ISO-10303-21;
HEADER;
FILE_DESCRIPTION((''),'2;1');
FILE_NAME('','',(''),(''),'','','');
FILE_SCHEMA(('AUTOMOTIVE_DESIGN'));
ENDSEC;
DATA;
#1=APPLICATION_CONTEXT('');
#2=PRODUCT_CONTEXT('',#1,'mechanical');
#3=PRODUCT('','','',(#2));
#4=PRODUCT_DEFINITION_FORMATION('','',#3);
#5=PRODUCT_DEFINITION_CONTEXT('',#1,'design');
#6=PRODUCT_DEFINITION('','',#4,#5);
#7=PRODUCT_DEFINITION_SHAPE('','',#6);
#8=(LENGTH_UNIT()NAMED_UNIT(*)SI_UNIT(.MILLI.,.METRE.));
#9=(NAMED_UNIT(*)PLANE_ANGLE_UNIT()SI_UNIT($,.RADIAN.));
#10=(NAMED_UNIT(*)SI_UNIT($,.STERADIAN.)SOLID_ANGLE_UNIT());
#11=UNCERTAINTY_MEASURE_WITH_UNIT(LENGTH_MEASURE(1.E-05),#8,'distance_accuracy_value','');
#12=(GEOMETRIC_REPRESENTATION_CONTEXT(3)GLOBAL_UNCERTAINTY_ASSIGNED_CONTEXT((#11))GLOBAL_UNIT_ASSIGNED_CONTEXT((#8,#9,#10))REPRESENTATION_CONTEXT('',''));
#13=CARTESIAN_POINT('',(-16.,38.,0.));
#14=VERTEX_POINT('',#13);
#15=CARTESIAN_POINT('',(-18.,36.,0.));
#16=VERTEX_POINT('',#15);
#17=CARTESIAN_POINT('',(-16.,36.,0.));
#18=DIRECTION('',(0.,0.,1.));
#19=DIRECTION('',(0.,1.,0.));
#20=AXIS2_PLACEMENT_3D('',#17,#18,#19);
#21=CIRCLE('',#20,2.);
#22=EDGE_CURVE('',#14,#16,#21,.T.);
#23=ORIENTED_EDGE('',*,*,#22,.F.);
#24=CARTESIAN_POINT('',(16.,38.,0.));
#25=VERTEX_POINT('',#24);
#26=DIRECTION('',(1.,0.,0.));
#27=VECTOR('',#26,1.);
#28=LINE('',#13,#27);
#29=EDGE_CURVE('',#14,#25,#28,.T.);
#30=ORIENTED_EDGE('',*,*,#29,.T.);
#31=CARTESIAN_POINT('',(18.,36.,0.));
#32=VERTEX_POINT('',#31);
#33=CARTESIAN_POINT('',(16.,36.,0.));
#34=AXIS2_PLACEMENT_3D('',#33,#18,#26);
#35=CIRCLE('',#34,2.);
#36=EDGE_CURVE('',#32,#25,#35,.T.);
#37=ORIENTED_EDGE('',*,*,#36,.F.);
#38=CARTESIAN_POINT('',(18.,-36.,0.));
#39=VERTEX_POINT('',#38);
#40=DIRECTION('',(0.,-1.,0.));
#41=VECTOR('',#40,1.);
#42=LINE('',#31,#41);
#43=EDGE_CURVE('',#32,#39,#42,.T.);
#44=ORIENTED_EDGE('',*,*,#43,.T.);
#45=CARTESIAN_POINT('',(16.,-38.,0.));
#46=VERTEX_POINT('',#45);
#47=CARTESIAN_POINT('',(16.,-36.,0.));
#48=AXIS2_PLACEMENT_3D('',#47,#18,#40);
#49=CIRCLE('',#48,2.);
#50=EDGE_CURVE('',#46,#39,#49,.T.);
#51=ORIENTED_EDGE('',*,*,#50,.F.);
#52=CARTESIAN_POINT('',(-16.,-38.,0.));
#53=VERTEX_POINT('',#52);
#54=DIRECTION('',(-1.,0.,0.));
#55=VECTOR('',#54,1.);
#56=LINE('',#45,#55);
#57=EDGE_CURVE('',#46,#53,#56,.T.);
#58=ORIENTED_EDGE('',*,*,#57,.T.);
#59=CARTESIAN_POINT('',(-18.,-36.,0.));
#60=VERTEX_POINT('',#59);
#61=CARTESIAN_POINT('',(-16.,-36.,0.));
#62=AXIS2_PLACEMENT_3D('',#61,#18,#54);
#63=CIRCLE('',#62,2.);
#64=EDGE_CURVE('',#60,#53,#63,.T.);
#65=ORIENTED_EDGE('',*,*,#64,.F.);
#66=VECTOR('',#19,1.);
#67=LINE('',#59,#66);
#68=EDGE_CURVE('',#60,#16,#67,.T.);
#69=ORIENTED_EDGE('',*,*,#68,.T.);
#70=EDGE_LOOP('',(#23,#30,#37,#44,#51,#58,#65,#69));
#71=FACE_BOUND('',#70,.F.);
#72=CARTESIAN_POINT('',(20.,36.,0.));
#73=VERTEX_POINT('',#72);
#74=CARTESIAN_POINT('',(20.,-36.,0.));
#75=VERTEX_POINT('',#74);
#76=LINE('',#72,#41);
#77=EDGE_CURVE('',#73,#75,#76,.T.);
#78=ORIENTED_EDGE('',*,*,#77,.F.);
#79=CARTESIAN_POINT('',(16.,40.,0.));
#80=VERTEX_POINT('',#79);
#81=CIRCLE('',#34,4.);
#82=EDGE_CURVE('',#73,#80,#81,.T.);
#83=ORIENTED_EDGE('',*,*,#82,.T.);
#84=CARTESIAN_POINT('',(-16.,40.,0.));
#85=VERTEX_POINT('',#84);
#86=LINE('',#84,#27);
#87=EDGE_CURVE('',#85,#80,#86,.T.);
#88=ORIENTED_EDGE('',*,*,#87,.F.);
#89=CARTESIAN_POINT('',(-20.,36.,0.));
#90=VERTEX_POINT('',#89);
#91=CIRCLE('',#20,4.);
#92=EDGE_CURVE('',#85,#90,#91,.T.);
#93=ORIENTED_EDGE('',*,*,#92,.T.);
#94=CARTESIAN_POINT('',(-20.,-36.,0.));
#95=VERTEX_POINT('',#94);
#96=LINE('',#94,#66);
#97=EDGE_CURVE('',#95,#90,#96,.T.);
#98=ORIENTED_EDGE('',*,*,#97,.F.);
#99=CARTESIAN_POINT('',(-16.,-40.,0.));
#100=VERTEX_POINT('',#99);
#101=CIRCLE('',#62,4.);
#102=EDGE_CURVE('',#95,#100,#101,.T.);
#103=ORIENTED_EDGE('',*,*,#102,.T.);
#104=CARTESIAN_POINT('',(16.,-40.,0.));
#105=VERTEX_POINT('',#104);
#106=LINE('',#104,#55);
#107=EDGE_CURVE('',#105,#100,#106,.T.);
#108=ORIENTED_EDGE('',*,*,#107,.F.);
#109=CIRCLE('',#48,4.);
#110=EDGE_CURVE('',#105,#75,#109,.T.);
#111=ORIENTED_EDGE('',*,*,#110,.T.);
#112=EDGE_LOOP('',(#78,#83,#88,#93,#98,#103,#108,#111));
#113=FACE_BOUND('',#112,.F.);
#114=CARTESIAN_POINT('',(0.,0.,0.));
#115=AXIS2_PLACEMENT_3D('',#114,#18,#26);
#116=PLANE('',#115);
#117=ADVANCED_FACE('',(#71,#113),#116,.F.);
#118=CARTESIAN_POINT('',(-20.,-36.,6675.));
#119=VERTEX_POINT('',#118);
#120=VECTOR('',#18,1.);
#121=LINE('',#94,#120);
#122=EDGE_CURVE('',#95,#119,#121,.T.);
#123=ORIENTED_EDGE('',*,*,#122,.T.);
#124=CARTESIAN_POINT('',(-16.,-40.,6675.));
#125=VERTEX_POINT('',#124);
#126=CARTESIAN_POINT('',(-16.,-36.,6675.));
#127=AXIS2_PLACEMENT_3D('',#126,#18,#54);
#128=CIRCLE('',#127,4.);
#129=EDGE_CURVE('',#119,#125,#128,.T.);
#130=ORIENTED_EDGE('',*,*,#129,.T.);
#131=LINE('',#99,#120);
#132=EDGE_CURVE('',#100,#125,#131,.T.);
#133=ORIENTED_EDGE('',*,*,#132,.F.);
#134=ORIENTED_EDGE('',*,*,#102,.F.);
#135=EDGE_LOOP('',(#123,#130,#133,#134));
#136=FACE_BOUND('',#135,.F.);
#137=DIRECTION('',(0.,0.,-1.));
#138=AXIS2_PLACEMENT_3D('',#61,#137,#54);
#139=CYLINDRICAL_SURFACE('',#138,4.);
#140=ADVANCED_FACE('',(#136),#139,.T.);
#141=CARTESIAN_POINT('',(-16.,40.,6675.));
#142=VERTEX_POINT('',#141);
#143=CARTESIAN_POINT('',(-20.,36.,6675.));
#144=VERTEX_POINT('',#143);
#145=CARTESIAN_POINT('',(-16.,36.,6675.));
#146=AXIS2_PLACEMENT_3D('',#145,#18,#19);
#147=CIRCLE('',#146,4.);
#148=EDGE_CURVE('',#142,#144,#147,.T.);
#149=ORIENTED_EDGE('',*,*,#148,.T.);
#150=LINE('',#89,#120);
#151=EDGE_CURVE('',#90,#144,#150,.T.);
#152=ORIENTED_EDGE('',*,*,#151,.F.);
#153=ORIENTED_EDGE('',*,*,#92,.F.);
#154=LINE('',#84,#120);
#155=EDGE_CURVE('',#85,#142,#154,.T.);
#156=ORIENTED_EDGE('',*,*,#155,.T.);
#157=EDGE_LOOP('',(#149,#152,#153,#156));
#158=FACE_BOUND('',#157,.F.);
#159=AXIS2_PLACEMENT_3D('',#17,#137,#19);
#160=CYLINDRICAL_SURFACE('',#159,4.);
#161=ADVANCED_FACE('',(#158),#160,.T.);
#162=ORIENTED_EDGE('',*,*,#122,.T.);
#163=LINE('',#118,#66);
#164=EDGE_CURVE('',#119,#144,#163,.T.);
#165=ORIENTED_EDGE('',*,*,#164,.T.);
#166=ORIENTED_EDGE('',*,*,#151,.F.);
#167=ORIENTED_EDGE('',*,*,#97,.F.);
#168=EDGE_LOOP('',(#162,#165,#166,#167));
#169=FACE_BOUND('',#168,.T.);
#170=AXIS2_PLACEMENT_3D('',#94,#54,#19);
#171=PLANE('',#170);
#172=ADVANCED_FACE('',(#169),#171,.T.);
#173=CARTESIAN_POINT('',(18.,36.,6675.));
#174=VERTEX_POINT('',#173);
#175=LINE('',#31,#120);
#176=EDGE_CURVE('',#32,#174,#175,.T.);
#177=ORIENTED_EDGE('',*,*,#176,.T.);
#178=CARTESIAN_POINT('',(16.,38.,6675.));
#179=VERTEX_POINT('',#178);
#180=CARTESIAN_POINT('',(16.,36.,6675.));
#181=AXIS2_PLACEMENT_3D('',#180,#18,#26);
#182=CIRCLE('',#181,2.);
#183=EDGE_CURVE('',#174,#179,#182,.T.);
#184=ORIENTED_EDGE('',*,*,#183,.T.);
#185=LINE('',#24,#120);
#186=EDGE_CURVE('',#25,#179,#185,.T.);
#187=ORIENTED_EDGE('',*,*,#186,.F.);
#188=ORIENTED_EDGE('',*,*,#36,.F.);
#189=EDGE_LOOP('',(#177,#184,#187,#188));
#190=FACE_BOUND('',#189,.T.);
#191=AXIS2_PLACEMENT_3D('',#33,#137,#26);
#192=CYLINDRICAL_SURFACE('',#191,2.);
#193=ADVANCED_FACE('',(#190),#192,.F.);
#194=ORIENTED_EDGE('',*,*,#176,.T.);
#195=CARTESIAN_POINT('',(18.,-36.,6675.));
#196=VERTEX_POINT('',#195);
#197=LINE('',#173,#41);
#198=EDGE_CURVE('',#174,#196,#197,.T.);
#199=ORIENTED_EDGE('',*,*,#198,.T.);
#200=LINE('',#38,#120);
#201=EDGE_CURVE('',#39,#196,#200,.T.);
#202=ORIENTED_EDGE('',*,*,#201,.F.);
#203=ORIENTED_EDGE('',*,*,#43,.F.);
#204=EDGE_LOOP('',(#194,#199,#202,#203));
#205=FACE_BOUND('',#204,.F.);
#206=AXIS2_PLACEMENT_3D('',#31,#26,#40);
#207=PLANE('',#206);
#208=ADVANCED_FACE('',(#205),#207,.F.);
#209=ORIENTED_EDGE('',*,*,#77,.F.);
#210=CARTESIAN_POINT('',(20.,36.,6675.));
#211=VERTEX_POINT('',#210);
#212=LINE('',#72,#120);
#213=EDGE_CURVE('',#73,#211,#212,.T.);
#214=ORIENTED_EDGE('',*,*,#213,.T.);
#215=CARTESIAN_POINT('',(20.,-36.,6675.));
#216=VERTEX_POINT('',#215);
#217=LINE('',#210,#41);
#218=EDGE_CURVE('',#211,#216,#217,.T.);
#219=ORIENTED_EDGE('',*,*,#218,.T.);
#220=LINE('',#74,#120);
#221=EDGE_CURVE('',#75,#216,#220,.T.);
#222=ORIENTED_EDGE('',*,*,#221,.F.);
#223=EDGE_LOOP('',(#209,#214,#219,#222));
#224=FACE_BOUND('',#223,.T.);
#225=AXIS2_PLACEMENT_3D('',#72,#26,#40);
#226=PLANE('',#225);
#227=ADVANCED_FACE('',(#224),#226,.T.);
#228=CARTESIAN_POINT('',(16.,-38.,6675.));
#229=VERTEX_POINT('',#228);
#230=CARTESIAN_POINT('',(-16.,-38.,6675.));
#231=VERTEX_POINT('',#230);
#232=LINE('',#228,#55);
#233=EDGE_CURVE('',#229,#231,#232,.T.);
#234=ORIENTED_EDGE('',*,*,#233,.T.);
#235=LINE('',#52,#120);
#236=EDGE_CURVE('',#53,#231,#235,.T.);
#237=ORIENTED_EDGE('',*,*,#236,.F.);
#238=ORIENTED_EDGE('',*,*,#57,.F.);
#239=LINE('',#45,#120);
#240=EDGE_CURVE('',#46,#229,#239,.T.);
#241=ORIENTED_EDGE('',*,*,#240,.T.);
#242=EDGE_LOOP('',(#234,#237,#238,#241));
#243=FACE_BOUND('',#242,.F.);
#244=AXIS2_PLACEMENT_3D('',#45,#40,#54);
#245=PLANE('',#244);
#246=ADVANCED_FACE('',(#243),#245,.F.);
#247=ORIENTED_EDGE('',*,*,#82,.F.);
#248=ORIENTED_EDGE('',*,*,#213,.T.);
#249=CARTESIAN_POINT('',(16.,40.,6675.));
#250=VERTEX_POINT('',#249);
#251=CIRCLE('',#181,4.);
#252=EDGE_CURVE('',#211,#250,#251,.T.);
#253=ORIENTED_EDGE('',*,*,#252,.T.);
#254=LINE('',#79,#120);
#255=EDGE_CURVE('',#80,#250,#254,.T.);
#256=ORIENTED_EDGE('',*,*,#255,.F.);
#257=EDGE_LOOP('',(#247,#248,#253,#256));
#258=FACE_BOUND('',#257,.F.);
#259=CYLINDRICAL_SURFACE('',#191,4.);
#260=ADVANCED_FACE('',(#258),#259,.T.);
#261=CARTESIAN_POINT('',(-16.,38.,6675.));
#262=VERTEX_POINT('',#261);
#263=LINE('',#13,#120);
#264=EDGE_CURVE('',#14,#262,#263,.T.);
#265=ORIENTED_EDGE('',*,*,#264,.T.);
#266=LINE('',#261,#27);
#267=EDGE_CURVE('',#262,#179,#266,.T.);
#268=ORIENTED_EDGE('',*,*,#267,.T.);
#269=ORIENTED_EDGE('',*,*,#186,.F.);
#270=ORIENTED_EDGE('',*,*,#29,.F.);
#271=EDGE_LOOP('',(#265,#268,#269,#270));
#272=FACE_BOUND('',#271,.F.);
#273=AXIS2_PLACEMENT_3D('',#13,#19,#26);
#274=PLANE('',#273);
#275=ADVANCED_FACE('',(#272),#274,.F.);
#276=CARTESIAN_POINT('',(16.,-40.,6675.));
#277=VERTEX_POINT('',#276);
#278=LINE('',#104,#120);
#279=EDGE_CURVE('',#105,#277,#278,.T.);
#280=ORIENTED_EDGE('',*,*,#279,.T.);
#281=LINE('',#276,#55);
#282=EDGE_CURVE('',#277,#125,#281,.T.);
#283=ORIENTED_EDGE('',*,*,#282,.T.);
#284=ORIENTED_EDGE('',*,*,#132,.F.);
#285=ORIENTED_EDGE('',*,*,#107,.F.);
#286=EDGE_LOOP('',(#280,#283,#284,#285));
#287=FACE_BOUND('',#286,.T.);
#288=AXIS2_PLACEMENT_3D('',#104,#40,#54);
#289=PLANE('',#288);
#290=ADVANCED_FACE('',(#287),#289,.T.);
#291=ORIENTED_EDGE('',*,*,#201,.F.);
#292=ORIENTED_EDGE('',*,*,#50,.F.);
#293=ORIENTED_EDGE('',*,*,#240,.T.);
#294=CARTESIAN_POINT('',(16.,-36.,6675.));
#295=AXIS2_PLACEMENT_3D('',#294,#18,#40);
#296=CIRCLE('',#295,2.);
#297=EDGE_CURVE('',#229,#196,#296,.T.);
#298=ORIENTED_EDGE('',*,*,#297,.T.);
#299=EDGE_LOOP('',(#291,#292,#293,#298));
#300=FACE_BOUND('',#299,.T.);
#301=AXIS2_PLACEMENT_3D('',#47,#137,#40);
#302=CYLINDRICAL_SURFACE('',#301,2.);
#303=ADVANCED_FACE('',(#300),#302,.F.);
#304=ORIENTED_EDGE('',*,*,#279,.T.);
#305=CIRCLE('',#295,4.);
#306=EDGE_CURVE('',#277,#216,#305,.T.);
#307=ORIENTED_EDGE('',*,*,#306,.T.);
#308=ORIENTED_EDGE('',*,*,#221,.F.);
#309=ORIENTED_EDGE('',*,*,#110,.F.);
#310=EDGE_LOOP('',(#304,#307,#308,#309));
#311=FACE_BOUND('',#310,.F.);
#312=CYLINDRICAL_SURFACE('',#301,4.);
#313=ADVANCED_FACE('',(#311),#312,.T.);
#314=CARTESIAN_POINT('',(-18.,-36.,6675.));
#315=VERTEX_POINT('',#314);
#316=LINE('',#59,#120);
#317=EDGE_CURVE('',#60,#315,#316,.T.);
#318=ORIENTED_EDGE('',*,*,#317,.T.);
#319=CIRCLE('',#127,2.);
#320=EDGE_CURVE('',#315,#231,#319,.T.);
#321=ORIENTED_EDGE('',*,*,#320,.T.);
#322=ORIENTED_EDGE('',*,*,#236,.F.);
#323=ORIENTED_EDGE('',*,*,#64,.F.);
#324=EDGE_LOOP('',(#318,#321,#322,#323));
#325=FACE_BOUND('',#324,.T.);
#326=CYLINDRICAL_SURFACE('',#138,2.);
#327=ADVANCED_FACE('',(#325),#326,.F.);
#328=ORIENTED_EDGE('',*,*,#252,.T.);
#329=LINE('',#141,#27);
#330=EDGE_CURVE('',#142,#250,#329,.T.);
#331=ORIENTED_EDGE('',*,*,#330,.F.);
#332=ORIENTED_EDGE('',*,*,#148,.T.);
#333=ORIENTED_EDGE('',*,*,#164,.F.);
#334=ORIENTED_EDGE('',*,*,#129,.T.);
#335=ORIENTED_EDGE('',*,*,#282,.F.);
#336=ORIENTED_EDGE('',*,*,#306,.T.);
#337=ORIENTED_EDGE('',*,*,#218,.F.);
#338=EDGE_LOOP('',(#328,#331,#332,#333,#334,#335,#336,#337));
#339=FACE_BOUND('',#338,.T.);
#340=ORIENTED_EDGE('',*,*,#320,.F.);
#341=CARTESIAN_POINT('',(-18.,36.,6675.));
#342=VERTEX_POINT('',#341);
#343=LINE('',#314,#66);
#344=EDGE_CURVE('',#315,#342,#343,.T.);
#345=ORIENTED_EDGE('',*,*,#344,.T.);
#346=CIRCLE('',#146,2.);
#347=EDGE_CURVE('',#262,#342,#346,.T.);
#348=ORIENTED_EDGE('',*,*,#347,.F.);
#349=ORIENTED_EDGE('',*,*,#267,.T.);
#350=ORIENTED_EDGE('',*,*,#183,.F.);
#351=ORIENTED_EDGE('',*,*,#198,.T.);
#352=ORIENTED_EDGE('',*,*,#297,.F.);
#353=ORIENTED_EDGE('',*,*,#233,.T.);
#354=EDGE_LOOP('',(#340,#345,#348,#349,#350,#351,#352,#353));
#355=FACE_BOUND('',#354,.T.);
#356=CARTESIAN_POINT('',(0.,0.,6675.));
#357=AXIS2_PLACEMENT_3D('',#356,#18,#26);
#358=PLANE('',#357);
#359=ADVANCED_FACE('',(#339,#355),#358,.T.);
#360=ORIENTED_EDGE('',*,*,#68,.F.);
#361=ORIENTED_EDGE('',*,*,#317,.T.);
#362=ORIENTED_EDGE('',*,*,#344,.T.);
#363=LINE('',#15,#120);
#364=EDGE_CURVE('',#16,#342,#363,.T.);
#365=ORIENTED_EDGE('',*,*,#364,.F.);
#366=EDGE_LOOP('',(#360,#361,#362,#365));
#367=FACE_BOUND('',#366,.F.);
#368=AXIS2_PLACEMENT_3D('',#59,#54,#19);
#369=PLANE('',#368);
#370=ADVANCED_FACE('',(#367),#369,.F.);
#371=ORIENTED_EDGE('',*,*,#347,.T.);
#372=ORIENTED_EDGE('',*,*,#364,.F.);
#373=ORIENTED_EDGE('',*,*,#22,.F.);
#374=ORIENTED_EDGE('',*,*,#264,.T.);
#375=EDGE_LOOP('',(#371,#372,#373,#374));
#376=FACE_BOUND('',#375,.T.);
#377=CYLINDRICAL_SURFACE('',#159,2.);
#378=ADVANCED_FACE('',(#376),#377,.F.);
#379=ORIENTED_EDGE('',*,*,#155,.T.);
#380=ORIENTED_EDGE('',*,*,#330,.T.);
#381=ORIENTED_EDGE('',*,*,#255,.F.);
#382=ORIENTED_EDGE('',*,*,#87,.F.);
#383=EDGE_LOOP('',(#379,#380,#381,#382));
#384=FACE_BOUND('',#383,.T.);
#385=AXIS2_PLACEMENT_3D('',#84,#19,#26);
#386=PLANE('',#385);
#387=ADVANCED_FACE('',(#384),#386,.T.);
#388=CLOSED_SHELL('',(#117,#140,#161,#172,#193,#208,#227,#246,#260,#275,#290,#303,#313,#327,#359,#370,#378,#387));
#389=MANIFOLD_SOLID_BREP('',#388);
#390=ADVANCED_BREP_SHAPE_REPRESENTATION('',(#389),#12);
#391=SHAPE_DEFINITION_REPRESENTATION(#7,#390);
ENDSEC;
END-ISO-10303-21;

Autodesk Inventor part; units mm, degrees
ref_plane "YZ Plane" through (0, 0, 0) normal (1, 0, 0) x (0, 1, 0)
ref_plane "Start Plane" through (0, 0, 0) normal (0, 0, 1) x (1, 0, 0)
ref_plane "End Plane" through (0, 0, 6675) normal (0, 0, 1) x (1, 0, 0)
sketch "Sketch" plane through (0, 0, 0) normal (0, 0, 1) x (1, 0, 0)
  line L0 (-20, -36) -> (-20, 36)
  line L1 (-16, 40) -> (16, 40)
  line L2 (20, 36) -> (20, -36)
  line L3 (16, -40) -> (-16, -40)
  arc A0 (-20, -36) -> (-16, -40) centre (-16, -36) ccw
  arc A1 (20, 36) -> (16, 40) centre (16, 36) ccw
  arc A2 (-16, 40) -> (-20, 36) centre (-16, 36) ccw
  arc A3 (16, -40) -> (20, -36) centre (16, -36) ccw
  arc A4 (-16, 38) -> (-18, 36) centre (-16, 36) ccw
  line L4 (-16, 38) -> (16, 38)
  arc A5 (18, 36) -> (16, 38) centre (16, 36) ccw
  line L5 (18, 36) -> (18, -36)
  arc A6 (16, -38) -> (18, -36) centre (16, -36) ccw
  line L6 (16, -38) -> (-16, -38)
  arc A7 (-18, -36) -> (-16, -38) centre (-16, -36) ccw
  line L7 (-18, -36) -> (-18, 36)
  line L8 (0, 57.1598) -> (0, -57.1598) construction
  line L9 (-29.1598, 0) -> (29.1598, 0) construction
  dimension "d7" = 4
  dimension "d9" = 40
  dimension "d11" = 80
  dimension "d12" = 2
  dimension "d15" = 20
  dimension "d16" = 40
extrude "Body" add sketch "Sketch" along normal up to surface (6675 mm away) from surface at 0
sketch "Sketch3" plane through (0, 0, 0) normal (0, 0, 1) x (1, 0, 0)
  line L0 (0, 0) -> (10, 0)
ref_plane "Work Plane3" through (0, 0, 0) normal (0, -1, 0) x (1, 0, 0)
sketch "Sketch4" plane through (0, 0, 0) normal (0, -1, 0) x (1, 0, 0)
  line L0 (-2, 0) -> (12, 0) projected
  line L1 (-2, 6675) -> (12, 6675) projected
  dimension "d18" = 6675
equation "\"d7\" = G_IR"
equation "\"d9\" = G_W"
equation "\"d11\" = G_H"
equation "\"d12\" = G_T"
equation "\"d15\" = 0.5 * d9"
equation "\"d16\" = 0.5 * d11"
equation "\"d3\" = G_L"
equation "\"G_W\" = 40"
equation "\"G_H\" = 80"
equation "\"G_T\" = 2"
equation "\"G_IR\" = 4"
equation "\"G_L\" = d18"
equation "\"G_OFFSET_START\" = 0"
equation "\"G_OFFSET_END\" = 0"
equation "\"d14\" = G_OFFSET_END + B_L"
equation "\"B_L\" = 6675"
properties part number "ISO 4019 - 80x40x2 - 6675" material "Steel, Mild"
